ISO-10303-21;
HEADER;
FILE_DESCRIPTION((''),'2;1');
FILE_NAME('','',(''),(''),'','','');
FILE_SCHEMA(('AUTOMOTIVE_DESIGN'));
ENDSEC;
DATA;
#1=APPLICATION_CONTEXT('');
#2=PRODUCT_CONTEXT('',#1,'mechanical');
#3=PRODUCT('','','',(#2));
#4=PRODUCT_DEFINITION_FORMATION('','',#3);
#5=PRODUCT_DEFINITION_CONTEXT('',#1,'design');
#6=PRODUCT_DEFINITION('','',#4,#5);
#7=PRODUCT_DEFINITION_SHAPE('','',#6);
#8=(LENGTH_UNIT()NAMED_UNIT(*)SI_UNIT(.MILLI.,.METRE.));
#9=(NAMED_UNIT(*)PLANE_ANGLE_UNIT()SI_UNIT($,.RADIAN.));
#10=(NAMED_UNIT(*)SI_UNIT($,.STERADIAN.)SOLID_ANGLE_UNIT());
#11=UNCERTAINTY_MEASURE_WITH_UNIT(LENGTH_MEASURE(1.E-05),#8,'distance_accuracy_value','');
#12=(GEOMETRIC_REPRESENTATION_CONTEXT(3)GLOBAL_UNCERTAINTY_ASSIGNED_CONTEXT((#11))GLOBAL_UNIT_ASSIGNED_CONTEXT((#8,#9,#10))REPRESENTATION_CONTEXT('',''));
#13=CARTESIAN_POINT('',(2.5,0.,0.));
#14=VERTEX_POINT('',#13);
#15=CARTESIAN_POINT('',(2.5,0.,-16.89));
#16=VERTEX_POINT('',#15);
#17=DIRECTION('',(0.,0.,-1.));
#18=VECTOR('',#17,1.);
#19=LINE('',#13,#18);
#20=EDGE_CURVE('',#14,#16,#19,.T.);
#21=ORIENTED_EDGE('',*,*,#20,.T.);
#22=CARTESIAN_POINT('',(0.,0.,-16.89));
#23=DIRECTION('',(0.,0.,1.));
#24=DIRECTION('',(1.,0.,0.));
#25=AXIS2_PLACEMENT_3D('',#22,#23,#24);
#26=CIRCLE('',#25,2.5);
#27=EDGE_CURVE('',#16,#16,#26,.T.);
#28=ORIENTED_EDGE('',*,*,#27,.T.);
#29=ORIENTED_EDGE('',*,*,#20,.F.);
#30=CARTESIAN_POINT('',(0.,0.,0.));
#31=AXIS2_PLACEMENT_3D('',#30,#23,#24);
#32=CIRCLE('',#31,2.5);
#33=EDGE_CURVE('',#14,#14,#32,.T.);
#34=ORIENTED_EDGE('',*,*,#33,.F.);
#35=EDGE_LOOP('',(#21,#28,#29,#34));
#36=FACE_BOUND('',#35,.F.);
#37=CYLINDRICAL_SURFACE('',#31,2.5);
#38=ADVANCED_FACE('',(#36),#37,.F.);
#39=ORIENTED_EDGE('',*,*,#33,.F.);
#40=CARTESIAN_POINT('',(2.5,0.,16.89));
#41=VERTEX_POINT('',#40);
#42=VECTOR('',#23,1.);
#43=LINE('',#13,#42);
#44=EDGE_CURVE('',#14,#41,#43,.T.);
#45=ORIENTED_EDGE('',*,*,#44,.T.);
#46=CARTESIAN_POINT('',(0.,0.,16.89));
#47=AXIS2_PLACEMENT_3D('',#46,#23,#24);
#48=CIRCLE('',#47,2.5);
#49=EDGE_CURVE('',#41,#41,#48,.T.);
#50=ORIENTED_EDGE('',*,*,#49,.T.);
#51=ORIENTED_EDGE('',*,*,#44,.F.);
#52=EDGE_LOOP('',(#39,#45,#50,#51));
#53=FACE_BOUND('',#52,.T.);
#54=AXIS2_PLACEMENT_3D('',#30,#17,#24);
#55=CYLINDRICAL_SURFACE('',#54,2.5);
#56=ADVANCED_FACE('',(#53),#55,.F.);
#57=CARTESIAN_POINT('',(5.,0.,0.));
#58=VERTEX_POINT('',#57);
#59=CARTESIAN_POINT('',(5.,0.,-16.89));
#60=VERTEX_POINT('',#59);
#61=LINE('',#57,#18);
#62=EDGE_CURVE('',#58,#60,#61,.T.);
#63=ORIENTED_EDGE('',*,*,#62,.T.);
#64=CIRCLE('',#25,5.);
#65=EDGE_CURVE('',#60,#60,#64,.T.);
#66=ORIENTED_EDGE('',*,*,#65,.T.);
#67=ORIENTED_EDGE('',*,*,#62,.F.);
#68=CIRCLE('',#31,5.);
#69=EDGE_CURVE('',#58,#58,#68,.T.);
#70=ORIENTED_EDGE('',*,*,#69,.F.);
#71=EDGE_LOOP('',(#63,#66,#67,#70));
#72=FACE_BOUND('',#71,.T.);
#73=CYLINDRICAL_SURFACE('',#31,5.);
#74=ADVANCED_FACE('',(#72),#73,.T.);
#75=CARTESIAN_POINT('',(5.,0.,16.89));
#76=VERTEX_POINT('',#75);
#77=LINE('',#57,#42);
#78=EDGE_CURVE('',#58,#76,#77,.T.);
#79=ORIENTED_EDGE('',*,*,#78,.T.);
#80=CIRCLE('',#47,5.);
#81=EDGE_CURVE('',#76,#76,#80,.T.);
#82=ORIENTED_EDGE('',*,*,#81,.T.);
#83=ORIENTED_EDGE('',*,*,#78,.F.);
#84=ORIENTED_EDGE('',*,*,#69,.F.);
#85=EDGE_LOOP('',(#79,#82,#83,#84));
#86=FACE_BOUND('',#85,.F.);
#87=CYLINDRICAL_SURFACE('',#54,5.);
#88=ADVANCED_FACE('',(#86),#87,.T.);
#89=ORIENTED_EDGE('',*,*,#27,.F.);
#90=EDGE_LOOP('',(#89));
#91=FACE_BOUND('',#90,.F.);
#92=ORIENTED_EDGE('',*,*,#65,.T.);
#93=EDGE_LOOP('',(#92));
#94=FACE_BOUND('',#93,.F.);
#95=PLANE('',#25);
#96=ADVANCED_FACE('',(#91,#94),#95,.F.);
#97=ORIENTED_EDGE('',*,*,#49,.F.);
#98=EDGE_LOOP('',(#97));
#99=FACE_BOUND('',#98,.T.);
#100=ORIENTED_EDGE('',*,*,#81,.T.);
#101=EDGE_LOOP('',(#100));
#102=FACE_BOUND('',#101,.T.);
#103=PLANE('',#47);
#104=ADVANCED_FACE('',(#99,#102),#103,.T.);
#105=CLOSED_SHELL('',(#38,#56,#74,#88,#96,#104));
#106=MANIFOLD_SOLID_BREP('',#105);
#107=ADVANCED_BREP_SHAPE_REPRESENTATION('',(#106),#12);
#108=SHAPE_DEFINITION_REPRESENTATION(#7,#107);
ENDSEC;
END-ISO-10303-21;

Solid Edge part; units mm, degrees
sketch "Sketch1" plane through (0, 0, 0) normal (0, 0, 1) x (1, 0, 0)
  circle A0 centre (0, 0) radius 5
  circle A1 centre (0, 0) radius 2.5
  dimension "D1" = 10
  dimension "D2" = 5
extrude "Protrusion1" add sketch "Sketch1" along normal mid plane 33.78
properties part number "BumbleB0383"
